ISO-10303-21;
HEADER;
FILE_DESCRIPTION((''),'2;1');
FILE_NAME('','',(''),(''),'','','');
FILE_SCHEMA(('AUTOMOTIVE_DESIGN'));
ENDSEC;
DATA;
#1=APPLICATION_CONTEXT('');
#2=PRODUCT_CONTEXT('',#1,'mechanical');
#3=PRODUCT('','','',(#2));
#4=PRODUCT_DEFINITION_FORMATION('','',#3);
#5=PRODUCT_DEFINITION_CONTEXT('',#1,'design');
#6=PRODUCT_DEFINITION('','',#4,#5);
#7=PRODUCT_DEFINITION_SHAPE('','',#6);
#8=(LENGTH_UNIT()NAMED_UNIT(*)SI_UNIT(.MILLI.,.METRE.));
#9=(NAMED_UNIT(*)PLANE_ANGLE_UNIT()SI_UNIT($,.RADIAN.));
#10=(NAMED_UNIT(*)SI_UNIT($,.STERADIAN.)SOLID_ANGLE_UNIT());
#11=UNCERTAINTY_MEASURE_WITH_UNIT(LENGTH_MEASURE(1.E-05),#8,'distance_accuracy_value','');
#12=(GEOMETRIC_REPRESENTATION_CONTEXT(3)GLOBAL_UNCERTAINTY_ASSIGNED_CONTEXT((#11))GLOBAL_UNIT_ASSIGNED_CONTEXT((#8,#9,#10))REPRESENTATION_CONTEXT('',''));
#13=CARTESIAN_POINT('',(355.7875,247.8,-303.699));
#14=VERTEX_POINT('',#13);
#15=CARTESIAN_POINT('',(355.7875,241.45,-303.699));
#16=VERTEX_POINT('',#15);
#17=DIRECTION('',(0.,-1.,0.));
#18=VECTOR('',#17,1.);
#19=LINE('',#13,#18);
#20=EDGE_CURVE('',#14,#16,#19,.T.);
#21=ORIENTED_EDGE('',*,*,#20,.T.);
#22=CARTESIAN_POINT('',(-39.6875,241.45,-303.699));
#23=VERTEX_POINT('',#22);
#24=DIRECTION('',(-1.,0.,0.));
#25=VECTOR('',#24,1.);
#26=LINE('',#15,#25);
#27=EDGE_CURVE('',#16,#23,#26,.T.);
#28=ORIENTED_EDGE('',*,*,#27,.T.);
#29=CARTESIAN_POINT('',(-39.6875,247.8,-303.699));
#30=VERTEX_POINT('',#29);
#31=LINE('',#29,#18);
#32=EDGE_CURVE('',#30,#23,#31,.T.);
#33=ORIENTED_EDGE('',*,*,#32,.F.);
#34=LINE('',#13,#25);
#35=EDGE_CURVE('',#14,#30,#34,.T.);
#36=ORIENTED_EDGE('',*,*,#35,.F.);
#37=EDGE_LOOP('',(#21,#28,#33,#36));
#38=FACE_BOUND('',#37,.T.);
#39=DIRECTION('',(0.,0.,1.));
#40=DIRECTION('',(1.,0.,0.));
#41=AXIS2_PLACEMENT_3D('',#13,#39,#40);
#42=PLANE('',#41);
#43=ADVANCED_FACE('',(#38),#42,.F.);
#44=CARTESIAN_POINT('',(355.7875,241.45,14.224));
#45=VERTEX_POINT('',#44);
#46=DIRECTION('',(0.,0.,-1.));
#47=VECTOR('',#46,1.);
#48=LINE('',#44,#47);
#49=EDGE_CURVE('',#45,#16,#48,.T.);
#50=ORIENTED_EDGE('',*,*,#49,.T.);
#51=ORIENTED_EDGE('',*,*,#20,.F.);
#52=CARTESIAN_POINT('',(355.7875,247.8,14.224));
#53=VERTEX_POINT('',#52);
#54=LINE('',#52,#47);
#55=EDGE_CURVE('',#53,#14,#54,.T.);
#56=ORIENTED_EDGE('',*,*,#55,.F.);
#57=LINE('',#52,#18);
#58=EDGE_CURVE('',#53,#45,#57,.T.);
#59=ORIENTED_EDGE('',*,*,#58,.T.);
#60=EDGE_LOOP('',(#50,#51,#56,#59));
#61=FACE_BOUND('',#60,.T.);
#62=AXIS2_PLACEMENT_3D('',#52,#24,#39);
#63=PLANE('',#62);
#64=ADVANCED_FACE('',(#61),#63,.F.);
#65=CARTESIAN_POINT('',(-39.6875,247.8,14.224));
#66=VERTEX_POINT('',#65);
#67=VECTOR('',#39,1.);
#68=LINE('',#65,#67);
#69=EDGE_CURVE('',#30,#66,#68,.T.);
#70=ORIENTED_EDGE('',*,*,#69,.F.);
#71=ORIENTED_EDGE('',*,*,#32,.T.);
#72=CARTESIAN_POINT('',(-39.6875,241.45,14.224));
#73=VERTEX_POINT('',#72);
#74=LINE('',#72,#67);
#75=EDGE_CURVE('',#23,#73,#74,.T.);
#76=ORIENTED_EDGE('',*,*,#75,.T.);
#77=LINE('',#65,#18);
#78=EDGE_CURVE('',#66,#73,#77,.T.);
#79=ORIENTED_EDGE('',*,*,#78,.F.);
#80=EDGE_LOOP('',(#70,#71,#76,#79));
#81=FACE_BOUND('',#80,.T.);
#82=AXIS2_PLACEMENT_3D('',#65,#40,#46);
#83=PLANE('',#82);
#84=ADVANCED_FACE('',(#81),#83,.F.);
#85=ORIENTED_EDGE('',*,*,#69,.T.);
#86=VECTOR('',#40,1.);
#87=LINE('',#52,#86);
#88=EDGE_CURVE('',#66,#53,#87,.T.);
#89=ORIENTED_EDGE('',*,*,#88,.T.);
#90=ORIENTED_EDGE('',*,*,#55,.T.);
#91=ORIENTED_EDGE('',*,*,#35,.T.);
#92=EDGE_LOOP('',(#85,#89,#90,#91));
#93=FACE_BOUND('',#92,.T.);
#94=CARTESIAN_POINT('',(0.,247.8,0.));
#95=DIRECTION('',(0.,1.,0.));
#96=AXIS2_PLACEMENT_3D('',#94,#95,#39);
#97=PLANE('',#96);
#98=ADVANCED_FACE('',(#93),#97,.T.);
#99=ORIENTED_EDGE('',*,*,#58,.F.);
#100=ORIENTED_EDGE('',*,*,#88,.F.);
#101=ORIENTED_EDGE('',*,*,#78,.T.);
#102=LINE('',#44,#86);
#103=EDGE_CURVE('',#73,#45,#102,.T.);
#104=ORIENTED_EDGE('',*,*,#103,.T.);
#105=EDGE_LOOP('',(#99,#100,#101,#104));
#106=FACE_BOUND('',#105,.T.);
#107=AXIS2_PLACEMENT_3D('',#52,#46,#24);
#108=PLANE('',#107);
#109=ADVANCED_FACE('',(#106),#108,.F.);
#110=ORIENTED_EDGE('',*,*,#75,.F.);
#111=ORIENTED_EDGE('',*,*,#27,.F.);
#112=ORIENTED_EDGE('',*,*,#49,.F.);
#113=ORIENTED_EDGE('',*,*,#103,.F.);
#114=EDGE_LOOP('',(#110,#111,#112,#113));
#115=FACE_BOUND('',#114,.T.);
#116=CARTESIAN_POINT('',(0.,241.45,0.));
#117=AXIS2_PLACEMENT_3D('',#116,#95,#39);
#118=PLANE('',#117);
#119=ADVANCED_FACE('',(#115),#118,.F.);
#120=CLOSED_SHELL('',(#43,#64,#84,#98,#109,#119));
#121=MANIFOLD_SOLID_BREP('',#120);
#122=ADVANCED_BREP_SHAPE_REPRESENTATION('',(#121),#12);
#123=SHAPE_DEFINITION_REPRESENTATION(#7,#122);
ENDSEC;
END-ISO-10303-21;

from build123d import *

# Parameters (mm, degrees)
SKETCH1_W           = 395.475
SKETCH1_H           = 317.923000032
BOSS_EXTRUDE1_DEPTH = 6.35


with BuildPart() as part:
    # Sketch1 → Boss-Extrude1 (new body)
    with BuildSketch(Plane(origin=(0, 241.45, 0), x_dir=(1, 0, 0), z_dir=(0, 1, 0))):
        with Locations((158.05, 144.737500016)):
            Rectangle(SKETCH1_W, SKETCH1_H)
    extrude(amount=BOSS_EXTRUDE1_DEPTH)


solid = part.part
